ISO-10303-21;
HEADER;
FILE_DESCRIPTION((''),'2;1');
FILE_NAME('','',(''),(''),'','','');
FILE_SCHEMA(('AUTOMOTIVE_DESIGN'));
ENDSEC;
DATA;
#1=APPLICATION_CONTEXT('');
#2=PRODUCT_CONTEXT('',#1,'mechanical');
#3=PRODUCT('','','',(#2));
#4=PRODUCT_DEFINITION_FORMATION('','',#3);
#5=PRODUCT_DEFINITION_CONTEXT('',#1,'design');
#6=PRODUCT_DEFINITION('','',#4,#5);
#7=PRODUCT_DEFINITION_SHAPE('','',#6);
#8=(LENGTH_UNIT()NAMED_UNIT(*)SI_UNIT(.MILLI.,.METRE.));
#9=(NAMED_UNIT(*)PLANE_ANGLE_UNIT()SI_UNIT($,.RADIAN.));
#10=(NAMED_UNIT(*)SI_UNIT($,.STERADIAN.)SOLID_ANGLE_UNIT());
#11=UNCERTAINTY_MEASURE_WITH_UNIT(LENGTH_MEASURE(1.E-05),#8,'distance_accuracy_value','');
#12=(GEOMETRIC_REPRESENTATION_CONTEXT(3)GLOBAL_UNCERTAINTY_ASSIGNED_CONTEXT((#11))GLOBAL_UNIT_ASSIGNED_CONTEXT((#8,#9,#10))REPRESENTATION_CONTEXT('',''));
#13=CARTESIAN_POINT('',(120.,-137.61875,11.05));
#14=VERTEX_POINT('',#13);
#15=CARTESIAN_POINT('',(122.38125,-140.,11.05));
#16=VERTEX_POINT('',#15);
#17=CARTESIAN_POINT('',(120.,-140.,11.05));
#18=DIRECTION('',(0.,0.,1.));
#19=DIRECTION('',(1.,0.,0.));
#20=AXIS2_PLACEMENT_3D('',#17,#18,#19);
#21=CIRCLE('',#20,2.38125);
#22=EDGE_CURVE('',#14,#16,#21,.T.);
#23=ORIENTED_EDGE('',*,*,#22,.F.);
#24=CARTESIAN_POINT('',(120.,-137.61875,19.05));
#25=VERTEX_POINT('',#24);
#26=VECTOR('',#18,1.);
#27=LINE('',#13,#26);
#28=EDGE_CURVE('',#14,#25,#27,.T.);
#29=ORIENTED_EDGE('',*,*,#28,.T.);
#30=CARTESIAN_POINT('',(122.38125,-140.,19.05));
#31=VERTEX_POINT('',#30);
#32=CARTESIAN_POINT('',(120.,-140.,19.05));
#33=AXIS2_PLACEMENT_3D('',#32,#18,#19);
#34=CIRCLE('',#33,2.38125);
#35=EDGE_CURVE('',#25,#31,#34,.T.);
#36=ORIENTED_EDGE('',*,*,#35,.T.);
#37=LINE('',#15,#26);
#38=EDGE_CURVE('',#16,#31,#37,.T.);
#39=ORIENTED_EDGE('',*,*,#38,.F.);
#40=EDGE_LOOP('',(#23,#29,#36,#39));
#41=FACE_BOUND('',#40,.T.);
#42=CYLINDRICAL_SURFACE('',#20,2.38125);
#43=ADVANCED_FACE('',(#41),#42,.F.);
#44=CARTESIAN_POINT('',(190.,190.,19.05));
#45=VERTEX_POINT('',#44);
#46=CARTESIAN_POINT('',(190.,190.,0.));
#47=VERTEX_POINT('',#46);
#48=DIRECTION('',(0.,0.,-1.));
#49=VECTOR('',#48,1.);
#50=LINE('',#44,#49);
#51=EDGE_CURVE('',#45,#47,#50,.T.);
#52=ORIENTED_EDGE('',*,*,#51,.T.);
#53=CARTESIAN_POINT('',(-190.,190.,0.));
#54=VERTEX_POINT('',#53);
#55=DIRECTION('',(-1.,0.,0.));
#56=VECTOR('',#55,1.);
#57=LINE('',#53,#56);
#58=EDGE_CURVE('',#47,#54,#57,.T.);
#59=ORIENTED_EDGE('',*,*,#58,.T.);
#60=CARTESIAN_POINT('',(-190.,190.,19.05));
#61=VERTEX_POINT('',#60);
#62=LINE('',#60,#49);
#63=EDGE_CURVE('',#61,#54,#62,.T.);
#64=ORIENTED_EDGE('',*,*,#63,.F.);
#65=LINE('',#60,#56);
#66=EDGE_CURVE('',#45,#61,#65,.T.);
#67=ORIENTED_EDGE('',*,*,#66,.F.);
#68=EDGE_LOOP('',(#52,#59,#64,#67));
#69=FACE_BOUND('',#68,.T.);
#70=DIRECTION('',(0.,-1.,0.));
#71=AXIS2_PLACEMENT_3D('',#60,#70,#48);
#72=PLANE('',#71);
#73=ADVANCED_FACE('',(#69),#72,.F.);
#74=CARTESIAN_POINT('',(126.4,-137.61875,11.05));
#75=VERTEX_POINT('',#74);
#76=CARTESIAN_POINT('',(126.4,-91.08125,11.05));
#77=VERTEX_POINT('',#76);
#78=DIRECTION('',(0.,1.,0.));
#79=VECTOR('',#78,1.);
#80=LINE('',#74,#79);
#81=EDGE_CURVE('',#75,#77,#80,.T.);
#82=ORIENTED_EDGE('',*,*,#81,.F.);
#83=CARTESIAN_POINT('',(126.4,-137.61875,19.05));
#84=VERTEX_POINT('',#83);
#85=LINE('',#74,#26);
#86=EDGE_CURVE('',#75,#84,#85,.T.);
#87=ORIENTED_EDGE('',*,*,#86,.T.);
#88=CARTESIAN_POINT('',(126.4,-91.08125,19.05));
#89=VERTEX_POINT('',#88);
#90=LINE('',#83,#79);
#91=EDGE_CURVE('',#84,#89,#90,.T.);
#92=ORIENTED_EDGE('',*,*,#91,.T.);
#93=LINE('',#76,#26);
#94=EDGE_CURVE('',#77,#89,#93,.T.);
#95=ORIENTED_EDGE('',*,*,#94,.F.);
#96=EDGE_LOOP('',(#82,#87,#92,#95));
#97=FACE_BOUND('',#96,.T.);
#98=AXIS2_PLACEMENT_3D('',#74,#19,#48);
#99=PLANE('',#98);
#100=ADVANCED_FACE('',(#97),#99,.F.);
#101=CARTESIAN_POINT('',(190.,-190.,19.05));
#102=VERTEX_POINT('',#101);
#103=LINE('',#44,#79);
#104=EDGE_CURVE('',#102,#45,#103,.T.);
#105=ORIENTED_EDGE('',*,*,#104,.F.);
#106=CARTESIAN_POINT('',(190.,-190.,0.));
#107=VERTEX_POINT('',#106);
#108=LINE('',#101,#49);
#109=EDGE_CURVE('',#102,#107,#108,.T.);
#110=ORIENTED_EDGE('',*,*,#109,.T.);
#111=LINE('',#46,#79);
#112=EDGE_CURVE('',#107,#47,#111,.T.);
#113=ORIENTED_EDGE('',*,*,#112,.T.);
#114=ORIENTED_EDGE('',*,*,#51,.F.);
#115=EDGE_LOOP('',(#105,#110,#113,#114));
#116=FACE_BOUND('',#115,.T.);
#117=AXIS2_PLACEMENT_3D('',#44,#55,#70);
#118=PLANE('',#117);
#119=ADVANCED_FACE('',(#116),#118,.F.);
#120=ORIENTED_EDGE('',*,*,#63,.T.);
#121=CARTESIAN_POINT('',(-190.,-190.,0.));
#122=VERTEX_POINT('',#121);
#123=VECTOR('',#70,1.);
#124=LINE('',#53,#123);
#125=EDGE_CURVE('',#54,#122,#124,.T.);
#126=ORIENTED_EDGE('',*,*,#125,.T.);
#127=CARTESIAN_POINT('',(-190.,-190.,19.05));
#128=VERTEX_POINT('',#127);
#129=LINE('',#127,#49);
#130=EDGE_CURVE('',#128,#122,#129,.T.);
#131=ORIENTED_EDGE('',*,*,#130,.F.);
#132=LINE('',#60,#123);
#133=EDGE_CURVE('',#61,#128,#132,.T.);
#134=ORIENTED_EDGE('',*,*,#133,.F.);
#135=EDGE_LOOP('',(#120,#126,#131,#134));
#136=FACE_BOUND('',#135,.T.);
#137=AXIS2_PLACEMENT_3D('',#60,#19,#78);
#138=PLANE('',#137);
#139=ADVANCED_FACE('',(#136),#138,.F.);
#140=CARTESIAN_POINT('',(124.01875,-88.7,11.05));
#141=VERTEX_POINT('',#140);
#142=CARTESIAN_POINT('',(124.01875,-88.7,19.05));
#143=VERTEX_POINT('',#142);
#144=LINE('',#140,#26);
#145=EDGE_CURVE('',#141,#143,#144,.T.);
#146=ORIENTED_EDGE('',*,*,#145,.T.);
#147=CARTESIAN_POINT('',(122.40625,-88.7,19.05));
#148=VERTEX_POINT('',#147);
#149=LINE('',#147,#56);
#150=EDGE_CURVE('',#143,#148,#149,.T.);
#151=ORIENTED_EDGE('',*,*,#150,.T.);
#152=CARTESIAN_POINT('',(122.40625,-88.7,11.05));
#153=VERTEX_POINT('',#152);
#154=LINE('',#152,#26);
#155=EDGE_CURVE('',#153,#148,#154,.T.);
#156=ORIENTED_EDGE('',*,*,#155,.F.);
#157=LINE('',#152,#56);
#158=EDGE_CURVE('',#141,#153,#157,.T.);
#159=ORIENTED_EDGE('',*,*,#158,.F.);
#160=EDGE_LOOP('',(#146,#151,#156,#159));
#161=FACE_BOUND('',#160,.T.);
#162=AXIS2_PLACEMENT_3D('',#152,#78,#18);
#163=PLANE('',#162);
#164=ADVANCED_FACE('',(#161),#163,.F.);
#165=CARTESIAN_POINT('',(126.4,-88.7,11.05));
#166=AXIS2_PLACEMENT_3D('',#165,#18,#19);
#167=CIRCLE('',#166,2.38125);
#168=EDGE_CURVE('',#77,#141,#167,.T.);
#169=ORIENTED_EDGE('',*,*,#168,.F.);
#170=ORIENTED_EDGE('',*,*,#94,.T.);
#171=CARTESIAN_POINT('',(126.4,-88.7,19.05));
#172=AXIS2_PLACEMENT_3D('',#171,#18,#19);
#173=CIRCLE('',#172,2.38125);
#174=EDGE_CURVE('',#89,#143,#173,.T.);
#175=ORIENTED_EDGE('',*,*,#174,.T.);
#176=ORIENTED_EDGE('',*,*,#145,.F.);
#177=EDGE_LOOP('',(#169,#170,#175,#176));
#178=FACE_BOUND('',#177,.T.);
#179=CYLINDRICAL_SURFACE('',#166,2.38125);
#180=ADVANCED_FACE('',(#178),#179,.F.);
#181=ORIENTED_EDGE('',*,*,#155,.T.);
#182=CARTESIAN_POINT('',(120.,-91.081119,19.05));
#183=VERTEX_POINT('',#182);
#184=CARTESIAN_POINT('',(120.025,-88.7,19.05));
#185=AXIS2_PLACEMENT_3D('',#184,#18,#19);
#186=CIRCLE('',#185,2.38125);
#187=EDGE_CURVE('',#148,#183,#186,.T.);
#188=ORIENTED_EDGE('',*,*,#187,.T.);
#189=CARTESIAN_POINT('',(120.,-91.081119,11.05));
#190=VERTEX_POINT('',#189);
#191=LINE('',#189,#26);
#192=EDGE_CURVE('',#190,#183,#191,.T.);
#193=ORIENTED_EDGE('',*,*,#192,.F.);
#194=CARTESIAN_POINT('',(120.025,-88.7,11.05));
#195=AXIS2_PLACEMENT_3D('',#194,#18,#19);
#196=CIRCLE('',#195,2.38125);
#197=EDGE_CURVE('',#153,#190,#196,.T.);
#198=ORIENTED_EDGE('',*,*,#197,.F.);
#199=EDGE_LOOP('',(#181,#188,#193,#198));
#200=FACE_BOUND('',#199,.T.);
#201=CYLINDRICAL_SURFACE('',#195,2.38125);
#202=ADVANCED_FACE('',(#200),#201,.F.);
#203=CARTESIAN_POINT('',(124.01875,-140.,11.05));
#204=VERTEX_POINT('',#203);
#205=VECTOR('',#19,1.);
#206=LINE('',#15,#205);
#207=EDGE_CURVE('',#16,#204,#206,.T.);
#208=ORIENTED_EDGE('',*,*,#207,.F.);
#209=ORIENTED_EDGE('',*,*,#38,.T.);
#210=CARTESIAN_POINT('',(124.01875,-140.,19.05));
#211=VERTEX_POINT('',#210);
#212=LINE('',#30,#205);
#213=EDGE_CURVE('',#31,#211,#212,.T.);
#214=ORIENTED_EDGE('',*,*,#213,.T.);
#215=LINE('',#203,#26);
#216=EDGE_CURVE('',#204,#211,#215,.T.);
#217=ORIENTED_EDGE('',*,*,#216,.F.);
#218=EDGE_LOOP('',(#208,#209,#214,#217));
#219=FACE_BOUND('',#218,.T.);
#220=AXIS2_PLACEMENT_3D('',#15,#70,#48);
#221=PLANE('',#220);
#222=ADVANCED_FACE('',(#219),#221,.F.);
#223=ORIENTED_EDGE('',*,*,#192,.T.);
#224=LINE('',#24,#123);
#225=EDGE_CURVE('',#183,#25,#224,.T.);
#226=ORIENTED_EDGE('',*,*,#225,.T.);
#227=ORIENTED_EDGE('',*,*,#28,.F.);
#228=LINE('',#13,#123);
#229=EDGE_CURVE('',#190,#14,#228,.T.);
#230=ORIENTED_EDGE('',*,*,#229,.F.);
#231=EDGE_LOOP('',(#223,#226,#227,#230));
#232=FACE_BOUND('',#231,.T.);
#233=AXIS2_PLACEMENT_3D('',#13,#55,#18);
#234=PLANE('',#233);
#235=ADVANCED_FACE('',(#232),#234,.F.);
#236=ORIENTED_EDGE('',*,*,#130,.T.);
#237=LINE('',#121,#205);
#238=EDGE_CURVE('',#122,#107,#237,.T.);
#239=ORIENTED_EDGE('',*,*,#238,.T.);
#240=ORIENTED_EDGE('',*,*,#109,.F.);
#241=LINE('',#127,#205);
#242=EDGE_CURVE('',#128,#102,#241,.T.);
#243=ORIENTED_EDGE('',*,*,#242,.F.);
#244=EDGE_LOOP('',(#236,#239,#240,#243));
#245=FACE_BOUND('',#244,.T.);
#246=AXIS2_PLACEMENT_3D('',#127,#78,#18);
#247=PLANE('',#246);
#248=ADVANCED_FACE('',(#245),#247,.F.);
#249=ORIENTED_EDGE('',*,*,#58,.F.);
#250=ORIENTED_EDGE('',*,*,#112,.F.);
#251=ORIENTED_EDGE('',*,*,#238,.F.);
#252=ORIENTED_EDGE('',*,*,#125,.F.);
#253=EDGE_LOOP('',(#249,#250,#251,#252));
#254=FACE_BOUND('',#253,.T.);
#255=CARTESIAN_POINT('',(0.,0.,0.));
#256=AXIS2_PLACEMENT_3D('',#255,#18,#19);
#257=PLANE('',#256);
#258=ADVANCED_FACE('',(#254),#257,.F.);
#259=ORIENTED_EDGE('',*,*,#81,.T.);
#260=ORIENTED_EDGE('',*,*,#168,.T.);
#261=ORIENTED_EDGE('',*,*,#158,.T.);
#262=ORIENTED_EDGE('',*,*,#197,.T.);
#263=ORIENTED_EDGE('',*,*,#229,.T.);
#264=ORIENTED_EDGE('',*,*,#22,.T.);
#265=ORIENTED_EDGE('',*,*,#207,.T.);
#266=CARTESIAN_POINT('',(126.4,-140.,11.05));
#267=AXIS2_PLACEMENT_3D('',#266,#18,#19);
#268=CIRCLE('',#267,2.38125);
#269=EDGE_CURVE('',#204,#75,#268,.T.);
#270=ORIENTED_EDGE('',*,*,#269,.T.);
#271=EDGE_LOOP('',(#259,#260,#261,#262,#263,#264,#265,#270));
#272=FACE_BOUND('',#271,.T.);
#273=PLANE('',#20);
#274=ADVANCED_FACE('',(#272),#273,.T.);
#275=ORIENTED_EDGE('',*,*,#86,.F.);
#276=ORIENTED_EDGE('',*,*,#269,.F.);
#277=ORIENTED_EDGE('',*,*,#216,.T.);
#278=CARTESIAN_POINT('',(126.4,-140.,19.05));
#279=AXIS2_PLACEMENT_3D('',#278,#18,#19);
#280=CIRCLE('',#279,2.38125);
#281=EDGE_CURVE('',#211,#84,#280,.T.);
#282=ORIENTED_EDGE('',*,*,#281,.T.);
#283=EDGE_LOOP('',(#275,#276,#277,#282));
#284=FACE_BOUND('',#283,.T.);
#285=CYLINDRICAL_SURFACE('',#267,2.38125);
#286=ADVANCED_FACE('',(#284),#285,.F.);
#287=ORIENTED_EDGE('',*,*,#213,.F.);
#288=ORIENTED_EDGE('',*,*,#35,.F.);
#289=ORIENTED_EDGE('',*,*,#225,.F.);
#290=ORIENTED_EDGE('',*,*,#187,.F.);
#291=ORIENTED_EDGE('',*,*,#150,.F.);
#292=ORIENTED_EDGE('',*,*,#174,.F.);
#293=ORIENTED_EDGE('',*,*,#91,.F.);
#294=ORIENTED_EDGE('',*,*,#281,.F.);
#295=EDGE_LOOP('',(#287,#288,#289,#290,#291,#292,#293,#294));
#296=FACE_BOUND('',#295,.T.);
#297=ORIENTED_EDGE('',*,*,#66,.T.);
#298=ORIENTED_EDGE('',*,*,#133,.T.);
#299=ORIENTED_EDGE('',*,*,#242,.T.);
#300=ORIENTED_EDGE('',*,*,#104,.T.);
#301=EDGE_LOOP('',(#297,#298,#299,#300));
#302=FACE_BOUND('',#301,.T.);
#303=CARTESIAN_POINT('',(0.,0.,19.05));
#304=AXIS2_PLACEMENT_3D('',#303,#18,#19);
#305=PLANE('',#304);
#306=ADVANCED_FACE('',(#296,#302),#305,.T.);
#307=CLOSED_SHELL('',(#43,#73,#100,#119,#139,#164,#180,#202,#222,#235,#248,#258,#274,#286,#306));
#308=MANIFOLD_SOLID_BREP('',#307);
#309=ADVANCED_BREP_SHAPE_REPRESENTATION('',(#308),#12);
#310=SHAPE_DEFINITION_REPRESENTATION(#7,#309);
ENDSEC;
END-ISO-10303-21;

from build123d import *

# Parameters (mm, degrees)
SKETCH1_W        = 380
SKETCH1_H        = 380
SPOILBOARD_DEPTH = 19.05
SLOT_DEPTH       = 8


with BuildPart() as part:
    # Sketch1 → Spoilboard (new body)
    with BuildSketch(Plane.XY):
        Rectangle(SKETCH1_W, SKETCH1_H)
    extrude(amount=SPOILBOARD_DEPTH)

    # Sketch2 → Slot (cut)
    with BuildSketch(Plane.XY.offset(19.05)):
        with BuildLine():
            Line((120, -137.61875), (120, -91.081118763))
            ThreePointArc((120, -91.081118763), (118.350064134, -87.007386221), (122.40625, -88.7))
            Line((122.40625, -88.7), (124.01875, -88.7))
            ThreePointArc((124.01875, -88.7), (128.083798023, -87.016201977), (126.4, -91.08125))
            Line((126.4, -91.08125), (126.4, -137.61875))
            ThreePointArc((126.4, -137.61875), (128.083798023, -141.683798023), (124.01875, -140))
            Line((124.01875, -140), (122.38125, -140))
            ThreePointArc((122.38125, -140), (118.316201977, -141.683798023), (120, -137.61875))
        make_face()
    extrude(amount=-SLOT_DEPTH, mode=Mode.SUBTRACT)


solid = part.part
